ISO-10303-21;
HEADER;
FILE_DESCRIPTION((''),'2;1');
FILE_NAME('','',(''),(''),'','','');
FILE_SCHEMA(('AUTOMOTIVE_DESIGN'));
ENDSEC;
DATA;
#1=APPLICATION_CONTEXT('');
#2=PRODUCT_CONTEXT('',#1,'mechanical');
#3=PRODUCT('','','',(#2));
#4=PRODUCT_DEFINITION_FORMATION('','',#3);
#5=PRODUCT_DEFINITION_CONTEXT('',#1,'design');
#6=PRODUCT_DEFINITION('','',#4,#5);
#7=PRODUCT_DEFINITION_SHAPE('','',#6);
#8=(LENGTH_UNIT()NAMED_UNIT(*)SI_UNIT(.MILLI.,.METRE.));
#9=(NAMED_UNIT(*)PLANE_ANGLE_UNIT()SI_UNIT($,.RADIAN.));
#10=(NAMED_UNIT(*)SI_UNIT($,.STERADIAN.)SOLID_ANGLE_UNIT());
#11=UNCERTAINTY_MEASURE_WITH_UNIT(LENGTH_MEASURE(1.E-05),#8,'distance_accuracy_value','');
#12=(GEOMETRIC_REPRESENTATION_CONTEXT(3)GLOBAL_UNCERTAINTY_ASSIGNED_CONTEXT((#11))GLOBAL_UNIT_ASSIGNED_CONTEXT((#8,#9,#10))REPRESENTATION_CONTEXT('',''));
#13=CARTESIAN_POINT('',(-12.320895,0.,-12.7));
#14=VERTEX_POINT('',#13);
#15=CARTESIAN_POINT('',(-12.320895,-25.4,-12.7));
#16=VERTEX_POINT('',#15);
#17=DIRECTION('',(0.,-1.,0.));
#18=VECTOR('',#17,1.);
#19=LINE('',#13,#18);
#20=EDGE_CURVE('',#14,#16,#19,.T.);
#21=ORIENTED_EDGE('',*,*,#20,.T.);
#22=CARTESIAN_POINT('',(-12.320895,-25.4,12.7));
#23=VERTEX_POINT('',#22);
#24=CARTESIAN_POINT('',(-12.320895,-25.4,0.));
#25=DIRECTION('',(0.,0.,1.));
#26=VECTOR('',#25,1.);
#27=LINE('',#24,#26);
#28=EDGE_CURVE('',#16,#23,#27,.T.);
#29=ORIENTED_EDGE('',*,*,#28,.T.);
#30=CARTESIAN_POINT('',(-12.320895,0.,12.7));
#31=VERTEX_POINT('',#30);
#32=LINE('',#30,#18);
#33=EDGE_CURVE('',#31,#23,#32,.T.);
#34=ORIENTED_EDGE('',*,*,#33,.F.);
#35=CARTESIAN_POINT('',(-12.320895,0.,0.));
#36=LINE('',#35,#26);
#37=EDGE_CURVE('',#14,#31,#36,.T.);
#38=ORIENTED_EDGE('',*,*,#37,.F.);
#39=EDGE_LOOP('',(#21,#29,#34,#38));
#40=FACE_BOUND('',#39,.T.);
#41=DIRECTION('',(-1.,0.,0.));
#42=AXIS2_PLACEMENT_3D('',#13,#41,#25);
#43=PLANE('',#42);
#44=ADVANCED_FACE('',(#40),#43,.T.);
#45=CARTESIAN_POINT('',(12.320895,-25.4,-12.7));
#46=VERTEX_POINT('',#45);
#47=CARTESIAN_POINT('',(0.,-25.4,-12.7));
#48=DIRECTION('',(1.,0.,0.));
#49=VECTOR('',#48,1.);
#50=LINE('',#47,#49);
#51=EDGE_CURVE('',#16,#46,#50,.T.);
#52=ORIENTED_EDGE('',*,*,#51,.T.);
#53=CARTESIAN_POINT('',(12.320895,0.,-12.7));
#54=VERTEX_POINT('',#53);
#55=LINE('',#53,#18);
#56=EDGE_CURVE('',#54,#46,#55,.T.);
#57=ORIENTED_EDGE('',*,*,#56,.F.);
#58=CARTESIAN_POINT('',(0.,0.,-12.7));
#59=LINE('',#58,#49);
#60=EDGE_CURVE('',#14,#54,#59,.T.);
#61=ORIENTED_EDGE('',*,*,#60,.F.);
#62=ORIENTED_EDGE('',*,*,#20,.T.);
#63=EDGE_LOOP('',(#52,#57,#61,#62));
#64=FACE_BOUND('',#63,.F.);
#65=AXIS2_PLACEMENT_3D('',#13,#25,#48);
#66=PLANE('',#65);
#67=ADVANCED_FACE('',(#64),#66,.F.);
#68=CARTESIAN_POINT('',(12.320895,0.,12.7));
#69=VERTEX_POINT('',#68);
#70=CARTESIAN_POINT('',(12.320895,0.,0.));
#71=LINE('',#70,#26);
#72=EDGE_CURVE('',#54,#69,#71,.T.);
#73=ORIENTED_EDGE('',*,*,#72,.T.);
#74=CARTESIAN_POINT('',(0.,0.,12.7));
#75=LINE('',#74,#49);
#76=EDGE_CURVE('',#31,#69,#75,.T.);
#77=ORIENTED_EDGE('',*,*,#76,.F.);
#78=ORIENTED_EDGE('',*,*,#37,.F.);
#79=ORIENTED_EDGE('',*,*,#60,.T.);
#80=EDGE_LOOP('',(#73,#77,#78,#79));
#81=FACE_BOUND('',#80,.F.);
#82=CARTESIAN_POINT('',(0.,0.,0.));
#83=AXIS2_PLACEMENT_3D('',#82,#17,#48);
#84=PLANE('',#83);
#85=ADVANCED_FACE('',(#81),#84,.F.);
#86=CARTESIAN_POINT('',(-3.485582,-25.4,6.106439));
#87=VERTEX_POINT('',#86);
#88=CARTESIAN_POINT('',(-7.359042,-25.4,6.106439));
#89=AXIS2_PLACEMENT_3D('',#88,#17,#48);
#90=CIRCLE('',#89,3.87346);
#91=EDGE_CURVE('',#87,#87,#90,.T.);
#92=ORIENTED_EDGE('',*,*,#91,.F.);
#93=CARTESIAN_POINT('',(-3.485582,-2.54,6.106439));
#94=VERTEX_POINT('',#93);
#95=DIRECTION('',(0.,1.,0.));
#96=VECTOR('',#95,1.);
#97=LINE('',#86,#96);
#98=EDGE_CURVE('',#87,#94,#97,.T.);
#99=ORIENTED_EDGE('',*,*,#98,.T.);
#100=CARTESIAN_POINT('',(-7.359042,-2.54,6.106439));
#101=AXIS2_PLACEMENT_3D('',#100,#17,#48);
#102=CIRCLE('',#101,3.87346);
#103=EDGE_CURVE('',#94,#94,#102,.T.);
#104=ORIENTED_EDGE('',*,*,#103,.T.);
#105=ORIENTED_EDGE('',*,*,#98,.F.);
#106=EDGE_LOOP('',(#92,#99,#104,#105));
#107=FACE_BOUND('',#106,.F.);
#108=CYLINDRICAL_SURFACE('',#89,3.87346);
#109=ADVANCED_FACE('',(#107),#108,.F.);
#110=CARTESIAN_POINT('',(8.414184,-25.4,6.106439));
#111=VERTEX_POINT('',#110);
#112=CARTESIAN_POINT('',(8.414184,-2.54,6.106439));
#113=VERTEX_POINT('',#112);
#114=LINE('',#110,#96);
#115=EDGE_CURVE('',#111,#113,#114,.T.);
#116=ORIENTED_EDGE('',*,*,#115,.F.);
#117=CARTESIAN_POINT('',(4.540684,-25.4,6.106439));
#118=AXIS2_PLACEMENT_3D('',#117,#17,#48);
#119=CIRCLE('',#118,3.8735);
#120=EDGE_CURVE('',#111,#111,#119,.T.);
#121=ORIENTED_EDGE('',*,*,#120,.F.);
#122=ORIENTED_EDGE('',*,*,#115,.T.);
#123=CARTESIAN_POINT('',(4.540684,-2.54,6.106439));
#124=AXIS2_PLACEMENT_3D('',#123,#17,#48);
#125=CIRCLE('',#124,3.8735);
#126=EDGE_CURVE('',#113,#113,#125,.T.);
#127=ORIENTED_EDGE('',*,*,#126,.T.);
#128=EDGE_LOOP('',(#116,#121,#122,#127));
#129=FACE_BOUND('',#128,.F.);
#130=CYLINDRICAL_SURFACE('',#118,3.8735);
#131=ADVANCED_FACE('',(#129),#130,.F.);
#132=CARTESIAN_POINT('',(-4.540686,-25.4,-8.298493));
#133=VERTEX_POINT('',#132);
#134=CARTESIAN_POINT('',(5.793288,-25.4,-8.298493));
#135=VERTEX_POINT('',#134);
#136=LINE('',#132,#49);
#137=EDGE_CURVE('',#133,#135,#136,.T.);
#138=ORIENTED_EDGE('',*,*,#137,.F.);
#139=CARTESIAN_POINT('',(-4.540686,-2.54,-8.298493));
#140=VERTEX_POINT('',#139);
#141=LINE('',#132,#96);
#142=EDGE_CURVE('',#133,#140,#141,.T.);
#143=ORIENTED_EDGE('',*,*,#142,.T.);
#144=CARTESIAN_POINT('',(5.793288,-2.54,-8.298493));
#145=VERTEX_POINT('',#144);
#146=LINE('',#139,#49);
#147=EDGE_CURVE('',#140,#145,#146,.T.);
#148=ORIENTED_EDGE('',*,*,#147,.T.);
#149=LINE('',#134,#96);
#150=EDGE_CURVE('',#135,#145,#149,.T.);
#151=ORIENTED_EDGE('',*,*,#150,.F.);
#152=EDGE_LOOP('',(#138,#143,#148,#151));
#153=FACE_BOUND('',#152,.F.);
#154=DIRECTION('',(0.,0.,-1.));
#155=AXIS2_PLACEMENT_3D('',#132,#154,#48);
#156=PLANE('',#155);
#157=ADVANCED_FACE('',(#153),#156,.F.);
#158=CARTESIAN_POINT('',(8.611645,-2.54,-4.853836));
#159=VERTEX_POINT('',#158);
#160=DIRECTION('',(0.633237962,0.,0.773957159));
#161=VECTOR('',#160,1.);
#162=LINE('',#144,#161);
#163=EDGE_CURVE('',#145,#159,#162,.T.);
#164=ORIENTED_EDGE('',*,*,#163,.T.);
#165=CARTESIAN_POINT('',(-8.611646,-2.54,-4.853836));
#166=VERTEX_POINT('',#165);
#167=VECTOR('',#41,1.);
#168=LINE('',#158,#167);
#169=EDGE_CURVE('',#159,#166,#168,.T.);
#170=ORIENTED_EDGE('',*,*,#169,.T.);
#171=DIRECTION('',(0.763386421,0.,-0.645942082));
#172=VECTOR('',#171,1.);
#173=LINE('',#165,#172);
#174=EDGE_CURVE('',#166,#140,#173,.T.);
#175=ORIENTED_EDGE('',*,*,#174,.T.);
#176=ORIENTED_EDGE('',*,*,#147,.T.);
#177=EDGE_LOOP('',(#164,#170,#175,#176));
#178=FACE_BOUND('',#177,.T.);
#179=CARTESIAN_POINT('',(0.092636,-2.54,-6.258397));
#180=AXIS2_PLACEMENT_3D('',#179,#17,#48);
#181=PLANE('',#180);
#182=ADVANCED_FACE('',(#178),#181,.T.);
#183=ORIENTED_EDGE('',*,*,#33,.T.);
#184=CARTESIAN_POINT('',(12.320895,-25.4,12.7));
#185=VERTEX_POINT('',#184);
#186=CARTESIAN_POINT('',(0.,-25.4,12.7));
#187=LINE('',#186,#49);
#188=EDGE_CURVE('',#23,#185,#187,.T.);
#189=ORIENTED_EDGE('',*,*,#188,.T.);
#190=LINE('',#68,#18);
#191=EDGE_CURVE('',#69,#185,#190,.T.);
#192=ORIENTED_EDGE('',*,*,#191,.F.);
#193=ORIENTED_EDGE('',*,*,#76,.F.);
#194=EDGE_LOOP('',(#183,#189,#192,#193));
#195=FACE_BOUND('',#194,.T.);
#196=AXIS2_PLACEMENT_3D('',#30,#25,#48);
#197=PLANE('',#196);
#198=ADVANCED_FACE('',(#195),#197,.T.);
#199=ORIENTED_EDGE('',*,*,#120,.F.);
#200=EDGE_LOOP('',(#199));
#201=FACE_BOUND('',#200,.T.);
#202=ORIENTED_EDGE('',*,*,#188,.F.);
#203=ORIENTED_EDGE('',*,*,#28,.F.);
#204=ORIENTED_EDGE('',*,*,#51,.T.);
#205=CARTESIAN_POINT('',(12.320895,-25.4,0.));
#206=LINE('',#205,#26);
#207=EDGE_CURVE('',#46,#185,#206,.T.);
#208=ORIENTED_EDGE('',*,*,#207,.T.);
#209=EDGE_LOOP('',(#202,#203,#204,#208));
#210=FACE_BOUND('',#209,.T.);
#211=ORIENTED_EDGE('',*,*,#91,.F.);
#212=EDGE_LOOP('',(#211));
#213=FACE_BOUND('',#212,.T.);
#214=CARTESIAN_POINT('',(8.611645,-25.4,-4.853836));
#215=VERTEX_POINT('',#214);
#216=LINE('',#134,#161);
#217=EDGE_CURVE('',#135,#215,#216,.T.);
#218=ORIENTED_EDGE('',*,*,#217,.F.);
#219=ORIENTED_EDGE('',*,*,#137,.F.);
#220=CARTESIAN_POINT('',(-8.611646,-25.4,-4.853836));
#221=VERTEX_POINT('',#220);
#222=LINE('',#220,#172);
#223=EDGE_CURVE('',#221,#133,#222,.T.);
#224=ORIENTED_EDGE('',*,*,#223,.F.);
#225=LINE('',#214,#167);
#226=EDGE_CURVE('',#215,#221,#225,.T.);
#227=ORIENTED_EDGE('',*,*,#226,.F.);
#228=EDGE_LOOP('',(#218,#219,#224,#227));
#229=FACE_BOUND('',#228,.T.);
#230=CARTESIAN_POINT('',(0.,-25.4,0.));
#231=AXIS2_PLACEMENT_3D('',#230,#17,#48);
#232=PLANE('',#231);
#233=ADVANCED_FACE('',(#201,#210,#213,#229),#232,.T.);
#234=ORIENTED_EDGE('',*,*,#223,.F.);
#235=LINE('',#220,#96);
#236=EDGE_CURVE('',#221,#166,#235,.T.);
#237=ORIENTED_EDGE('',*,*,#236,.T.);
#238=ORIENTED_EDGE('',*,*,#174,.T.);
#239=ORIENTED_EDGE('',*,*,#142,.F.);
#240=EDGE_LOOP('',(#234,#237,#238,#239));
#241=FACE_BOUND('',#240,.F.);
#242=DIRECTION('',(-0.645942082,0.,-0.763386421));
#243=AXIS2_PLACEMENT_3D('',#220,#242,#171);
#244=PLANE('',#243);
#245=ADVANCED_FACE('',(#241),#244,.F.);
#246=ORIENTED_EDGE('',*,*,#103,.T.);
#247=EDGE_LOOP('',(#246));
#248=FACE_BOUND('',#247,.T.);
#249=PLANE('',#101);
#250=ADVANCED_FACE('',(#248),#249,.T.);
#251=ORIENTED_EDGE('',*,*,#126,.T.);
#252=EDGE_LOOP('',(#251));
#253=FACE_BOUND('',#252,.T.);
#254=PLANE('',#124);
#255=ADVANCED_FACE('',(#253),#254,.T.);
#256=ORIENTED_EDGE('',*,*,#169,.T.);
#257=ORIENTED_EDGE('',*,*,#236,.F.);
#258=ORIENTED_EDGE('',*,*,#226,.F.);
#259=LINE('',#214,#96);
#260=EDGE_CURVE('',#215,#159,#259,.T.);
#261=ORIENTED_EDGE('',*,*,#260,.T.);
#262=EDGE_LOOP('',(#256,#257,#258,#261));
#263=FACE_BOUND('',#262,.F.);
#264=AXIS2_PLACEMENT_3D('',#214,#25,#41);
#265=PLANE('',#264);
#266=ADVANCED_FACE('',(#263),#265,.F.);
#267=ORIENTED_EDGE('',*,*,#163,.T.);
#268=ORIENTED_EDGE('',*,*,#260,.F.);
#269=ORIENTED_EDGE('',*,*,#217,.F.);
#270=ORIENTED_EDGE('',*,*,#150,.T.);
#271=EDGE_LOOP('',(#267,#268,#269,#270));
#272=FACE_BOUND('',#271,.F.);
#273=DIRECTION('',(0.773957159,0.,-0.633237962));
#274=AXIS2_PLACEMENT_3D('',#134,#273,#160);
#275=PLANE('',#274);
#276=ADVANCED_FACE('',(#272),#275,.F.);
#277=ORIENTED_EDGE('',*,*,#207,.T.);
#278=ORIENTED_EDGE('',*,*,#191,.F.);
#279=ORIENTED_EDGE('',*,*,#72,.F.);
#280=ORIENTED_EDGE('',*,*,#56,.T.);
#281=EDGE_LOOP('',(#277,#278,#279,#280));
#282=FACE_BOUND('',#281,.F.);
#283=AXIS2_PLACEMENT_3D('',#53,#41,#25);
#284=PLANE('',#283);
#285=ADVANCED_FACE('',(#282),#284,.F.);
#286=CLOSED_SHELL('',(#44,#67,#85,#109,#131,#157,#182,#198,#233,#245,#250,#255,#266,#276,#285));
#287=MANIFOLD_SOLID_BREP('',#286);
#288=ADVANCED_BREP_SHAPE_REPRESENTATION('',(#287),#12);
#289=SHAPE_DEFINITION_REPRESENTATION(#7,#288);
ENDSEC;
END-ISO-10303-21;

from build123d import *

# Parameters (mm, degrees)
F0_W     = 24.64179
F0_H     = 25.4
F1_DEPTH = 25.4
F2_R     = 3.8735
F2_R_2   = 3.87346
F3_DEPTH = 22.86


with BuildPart() as f1:
    # F0 (on Front) → F1 (new body)
    with BuildSketch(Plane.XZ):
        Rectangle(F0_W, F0_H)
    extrude(amount=F1_DEPTH)

    # F2 (on face) → F3 (cut)
    with BuildSketch(Plane.XZ.offset(25.4)):
        Polygon((8.611645, -4.853836), (-8.611646, -4.853836), (-4.540686, -8.298493), (0, -8.298493), (5.793288, -8.298493), align=None)
        with Locations((4.540684, 6.106439)):
            Circle(F2_R)
        with Locations((-7.359042, 6.106439)):
            Circle(F2_R_2)
    extrude(amount=-F3_DEPTH, mode=Mode.SUBTRACT)


solid = f1.part
